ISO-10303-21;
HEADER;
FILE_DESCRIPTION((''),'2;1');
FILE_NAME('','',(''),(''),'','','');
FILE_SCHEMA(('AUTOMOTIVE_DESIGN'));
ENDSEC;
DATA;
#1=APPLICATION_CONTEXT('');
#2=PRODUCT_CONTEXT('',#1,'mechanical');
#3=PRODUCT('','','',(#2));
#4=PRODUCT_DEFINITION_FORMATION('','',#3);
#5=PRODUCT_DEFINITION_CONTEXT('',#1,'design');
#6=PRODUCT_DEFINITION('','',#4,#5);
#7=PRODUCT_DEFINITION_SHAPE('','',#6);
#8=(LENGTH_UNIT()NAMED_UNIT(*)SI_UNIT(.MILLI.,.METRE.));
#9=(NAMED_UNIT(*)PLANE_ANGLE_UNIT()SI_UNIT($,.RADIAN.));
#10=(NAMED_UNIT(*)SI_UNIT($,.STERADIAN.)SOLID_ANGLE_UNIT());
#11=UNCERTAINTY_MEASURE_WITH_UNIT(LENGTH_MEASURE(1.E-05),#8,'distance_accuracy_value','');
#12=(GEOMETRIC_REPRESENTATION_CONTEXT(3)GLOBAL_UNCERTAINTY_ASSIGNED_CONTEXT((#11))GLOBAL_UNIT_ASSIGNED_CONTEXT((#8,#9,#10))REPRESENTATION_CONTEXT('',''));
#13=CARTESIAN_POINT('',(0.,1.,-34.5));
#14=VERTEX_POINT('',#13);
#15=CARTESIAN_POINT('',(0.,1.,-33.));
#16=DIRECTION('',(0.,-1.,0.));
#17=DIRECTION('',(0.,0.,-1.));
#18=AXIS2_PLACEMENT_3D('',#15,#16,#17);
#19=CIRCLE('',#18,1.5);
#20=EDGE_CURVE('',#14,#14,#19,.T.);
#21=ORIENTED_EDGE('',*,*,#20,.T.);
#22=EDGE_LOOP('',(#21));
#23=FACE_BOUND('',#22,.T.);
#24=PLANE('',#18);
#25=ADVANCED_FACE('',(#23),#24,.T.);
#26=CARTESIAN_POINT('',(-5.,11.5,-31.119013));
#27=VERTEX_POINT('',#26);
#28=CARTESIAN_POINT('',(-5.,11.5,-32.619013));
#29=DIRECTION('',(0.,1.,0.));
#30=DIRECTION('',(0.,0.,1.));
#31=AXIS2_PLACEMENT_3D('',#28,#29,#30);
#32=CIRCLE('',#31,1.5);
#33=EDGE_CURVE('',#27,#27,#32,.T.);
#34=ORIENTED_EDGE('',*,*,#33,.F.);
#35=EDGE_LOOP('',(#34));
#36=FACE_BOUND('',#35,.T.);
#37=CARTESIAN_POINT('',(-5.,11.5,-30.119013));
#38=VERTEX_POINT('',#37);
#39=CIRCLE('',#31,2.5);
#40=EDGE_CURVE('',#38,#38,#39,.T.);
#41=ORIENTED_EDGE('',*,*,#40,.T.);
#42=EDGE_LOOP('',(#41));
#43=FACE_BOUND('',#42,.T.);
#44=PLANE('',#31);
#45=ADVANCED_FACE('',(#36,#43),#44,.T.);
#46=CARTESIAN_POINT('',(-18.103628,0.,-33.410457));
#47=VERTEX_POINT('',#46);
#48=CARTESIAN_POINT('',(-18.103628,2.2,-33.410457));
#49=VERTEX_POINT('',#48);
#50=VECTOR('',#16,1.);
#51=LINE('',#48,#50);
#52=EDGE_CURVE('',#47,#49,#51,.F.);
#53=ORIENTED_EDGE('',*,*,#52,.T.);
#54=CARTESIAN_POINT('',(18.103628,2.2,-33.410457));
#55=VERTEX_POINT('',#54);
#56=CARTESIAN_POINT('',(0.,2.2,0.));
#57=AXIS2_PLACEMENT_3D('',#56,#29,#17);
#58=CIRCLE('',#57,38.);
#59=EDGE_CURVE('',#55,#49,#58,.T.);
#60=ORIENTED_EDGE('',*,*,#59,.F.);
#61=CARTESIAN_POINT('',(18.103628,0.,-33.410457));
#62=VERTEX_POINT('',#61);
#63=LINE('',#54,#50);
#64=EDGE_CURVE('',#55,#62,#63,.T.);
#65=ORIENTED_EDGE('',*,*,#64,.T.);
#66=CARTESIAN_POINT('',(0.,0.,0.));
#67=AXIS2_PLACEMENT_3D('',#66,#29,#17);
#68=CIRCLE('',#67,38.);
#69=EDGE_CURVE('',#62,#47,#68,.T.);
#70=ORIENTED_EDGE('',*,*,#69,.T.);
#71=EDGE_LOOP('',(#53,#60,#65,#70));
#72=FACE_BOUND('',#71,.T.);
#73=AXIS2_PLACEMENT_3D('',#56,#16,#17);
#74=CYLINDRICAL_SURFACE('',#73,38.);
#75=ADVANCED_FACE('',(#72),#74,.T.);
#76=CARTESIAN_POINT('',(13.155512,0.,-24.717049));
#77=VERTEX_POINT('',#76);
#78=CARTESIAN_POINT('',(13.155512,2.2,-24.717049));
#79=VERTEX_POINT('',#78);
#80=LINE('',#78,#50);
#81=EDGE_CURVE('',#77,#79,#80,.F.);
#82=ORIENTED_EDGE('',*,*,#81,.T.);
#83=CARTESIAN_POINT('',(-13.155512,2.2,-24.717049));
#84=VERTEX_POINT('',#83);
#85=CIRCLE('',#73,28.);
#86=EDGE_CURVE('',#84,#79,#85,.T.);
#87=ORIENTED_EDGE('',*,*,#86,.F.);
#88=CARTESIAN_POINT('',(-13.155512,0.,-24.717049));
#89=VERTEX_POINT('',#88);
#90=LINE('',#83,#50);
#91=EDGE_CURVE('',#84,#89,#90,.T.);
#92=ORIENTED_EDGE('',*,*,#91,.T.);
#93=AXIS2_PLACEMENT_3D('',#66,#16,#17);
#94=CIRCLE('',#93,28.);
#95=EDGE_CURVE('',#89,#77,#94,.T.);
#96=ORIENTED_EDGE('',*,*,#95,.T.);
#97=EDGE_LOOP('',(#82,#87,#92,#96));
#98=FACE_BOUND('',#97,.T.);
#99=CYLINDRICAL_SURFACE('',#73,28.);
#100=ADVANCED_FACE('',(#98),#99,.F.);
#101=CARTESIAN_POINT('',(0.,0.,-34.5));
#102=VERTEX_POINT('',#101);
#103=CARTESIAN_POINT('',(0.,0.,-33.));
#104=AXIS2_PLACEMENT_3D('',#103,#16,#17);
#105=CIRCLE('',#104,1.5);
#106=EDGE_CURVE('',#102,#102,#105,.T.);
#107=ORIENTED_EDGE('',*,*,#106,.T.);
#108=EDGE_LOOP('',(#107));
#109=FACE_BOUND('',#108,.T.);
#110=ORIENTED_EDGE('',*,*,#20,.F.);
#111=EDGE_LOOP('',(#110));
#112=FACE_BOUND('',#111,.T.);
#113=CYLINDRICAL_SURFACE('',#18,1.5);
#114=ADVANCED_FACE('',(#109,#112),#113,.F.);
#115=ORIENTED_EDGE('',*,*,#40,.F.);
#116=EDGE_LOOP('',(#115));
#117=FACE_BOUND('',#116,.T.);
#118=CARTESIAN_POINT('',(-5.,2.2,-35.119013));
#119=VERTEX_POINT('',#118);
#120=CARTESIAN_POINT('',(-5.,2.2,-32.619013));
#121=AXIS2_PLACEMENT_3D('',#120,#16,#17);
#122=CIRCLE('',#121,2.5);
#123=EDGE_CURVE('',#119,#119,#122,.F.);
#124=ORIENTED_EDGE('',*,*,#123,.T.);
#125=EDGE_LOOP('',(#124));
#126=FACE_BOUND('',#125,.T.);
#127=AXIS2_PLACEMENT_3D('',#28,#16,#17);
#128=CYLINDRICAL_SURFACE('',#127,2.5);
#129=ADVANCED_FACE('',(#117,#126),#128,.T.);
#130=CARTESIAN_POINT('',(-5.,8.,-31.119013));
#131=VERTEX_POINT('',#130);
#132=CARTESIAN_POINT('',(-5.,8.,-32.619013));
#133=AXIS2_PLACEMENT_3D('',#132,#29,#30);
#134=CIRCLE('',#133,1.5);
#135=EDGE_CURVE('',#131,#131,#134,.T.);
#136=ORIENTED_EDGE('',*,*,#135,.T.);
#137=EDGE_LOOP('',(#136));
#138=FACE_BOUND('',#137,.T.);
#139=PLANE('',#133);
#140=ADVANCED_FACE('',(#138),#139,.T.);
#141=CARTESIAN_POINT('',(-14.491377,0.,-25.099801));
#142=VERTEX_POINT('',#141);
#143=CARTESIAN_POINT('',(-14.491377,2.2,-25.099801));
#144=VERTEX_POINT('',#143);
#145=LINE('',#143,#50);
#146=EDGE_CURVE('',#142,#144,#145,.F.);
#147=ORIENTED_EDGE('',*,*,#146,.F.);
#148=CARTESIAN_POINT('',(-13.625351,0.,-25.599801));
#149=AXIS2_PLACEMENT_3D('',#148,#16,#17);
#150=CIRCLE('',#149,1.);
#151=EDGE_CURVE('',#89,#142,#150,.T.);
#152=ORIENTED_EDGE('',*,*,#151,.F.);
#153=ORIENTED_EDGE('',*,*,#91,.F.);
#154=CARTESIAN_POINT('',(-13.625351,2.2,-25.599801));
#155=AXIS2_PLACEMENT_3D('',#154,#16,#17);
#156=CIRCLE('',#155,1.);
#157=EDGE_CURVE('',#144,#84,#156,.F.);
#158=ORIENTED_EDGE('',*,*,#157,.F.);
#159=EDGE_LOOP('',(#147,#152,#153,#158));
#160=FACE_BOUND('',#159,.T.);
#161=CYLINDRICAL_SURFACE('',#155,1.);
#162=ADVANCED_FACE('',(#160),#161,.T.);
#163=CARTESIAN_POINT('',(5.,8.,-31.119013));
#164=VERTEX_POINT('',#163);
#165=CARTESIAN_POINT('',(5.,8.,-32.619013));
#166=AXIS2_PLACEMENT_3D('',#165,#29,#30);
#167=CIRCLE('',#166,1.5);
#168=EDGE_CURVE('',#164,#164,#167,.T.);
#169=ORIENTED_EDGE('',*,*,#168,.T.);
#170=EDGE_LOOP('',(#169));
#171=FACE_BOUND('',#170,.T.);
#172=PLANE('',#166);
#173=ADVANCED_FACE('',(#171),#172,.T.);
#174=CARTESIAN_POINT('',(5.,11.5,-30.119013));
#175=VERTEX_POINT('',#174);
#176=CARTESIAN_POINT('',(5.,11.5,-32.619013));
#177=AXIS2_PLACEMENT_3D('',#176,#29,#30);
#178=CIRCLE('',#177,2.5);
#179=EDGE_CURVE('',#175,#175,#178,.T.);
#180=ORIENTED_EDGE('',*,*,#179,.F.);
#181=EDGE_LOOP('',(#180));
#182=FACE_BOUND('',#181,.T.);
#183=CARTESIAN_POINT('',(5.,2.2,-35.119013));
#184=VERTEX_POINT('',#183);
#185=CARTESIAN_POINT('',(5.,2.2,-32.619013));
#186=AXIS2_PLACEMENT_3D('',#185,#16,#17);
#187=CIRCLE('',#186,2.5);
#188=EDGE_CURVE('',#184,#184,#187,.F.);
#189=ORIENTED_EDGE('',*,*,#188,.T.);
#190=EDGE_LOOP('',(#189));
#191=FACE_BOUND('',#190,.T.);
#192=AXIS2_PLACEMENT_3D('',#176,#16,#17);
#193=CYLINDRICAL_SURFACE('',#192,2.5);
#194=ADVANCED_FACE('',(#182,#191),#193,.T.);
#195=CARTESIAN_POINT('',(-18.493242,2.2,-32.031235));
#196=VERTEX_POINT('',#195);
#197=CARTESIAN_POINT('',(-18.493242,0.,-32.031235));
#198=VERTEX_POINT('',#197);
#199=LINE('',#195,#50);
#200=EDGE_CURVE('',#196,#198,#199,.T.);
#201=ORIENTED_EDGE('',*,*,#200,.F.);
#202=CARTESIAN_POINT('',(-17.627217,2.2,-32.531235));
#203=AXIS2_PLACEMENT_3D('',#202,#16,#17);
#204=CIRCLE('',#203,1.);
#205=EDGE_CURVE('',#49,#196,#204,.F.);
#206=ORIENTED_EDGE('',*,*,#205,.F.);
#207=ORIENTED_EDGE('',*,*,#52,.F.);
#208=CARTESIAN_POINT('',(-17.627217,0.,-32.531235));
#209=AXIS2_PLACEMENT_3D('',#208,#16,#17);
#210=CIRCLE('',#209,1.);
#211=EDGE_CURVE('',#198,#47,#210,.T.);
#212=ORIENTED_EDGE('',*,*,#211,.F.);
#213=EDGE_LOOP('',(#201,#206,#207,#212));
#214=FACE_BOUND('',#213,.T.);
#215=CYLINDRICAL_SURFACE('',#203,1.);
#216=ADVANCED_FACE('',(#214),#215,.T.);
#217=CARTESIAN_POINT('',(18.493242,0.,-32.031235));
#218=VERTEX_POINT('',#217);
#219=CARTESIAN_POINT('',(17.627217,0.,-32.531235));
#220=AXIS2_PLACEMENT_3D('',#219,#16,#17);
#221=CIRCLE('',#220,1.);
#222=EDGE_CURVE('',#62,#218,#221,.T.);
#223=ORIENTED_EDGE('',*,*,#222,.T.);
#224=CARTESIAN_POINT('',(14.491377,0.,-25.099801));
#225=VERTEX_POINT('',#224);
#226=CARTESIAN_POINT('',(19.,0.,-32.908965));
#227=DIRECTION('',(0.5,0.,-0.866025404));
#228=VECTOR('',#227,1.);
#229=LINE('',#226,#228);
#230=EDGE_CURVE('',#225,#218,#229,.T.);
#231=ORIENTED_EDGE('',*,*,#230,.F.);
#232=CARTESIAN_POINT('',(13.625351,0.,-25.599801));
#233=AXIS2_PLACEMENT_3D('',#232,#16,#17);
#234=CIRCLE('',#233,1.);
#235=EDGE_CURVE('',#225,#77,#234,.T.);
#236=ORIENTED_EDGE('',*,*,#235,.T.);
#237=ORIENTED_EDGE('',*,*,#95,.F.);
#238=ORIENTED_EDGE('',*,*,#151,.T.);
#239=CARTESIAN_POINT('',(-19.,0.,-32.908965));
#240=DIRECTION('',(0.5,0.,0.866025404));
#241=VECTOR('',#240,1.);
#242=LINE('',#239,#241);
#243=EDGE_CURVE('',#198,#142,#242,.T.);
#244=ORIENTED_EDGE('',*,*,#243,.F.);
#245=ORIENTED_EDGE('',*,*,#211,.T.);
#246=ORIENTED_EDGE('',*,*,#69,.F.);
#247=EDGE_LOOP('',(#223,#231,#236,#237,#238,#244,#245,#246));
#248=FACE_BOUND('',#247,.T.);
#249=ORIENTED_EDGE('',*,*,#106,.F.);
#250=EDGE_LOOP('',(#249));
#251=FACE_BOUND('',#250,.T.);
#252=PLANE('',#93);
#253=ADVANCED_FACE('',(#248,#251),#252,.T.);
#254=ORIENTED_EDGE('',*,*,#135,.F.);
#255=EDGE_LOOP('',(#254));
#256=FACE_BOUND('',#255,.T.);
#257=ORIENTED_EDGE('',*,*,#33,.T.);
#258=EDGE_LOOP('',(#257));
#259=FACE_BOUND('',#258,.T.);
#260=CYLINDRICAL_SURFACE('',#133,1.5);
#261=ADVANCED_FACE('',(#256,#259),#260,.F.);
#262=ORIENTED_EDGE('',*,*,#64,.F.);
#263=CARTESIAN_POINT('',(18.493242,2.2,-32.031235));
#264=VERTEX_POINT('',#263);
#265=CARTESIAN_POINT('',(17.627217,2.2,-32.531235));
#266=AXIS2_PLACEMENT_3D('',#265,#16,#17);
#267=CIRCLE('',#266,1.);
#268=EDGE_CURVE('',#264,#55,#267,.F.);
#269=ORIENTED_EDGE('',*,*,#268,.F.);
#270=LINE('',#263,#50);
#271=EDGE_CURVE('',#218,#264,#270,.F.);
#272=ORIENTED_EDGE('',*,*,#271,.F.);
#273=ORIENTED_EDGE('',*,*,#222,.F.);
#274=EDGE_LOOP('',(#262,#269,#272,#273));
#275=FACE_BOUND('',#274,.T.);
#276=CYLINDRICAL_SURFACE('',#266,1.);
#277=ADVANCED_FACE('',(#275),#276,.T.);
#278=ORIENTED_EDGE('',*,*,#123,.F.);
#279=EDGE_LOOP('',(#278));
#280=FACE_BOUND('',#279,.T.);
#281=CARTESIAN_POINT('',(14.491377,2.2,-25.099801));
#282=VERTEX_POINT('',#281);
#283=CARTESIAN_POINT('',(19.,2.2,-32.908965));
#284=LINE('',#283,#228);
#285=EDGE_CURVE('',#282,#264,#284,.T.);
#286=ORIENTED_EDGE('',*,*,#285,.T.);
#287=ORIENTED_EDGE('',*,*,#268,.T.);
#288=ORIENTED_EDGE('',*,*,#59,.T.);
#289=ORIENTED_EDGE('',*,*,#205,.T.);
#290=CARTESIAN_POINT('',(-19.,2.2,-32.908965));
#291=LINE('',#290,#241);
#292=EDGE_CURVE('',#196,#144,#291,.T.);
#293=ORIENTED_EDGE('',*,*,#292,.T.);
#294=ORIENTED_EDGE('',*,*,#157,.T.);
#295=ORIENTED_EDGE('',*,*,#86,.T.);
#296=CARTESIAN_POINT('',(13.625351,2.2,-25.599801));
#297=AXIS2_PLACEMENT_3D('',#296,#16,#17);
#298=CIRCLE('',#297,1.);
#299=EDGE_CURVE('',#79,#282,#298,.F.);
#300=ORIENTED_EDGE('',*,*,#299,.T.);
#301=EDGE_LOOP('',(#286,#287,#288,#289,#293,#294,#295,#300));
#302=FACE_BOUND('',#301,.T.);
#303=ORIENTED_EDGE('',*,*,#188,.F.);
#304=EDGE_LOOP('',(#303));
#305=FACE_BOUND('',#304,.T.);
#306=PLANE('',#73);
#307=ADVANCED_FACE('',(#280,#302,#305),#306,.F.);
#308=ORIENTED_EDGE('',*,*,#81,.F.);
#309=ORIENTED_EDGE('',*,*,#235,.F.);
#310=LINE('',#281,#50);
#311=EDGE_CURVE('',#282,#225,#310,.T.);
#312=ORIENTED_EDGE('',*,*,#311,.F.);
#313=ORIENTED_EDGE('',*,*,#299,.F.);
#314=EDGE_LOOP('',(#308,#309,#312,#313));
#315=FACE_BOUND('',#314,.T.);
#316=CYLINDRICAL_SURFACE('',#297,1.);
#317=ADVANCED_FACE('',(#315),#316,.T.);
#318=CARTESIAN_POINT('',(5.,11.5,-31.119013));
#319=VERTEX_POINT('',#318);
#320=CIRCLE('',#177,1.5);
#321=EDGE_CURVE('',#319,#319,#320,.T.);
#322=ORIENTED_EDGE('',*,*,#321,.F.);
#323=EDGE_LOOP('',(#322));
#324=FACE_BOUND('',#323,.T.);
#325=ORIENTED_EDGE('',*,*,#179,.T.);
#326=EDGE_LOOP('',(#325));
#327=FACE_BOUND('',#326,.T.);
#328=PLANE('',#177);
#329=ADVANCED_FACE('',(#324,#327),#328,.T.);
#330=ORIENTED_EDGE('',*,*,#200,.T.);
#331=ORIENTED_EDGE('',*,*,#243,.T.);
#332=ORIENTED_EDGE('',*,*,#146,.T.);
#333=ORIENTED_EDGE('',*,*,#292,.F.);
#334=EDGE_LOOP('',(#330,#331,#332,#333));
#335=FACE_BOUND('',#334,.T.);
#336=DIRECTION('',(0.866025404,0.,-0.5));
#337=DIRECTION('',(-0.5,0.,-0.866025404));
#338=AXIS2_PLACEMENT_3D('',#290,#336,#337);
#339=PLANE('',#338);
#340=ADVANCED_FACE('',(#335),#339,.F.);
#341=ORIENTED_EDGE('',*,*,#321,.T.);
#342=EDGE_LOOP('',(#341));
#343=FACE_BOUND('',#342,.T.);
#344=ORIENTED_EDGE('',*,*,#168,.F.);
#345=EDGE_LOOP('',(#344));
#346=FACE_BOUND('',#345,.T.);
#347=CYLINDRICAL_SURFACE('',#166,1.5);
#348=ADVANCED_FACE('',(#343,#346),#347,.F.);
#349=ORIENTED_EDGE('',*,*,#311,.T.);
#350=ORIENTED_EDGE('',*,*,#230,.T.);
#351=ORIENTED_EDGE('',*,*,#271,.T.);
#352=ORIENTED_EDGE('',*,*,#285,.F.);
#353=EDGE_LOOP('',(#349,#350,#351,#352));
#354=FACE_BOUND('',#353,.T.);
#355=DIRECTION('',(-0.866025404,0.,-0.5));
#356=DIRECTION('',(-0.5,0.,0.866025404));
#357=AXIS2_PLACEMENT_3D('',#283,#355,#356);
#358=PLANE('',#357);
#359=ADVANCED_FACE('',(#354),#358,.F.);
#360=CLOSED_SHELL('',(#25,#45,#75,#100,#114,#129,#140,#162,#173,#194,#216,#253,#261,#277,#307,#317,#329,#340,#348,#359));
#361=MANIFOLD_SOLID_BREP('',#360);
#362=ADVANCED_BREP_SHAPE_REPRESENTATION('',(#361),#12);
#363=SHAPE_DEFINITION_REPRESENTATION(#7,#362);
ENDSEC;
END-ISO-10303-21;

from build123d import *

# Parameters (mm, degrees)
BOSS_EXTRUDE1_DEPTH = 2.2
SKETCH2_R           = 2.5
BOSS_EXTRUDE2_DEPTH = 9.3
SKETCH5_R           = 1.5
CUT_EXTRUDE1_DEPTH  = 3.5
SKETCH6_R           = 1.5
CUT_EXTRUDE2_DEPTH  = 1
FILLET1_R           = 1


with BuildPart() as part:
    # Sketch1 → Boss-Extrude1 (new body)
    with BuildSketch(Plane(origin=(0, 0, 0), x_dir=(1, 0, 0), z_dir=(0, 1, 0))):
        with BuildLine():
            Line((-19, 32.908965344), (-14, 24.248711306))
            ThreePointArc((-14, 24.248711306), (0, 28), (14, 24.248711306))
            Line((14, 24.248711306), (19, 32.908965344))
            ThreePointArc((19, 32.908965344), (0, 38), (-19, 32.908965344))
        make_face()
    extrude(amount=BOSS_EXTRUDE1_DEPTH)

    # Sketch2 → Boss-Extrude2 (add)
    with BuildSketch(Plane(origin=(0, 2.2, 0), x_dir=(1, 0, 0), z_dir=(0, 1, 0))):
        with Locations(Location((-5, 32.619012861, 0), (0, 0, 90))):
            Circle(SKETCH2_R)
        with Locations(Location((5, 32.619012861, 0), (0, 0, 90))):
            Circle(SKETCH2_R)
    extrude(amount=BOSS_EXTRUDE2_DEPTH)

    # Sketch5 → Cut-Extrude1 (cut)
    with BuildSketch(Plane(origin=(0, 11.5, 0), x_dir=(1, 0, 0), z_dir=(0, 1, 0))):
        with Locations(Location((-5, 32.619012861, 0), (0, 0, 270))):
            Circle(SKETCH5_R)
        with Locations(Location((5, 32.619012861, 0), (0, 0, 270))):
            Circle(SKETCH5_R)
    extrude(amount=-CUT_EXTRUDE1_DEPTH, mode=Mode.SUBTRACT)

    # Sketch6 → Cut-Extrude2 (cut)
    with BuildSketch(Plane.XZ):
        with Locations(Location((0, -33, 0), (0, 0, 270))):
            Circle(SKETCH6_R)
    extrude(amount=-CUT_EXTRUDE2_DEPTH, mode=Mode.SUBTRACT)

    # Fillet1
    fillet1_edges = [part.edges().sort_by_distance(p)[0] for p in [
        (19, 1.1, -32.908965344),
        (14, 1.1, -24.248711306),
        (-14, 1.1, -24.248711306),
        (-19, 1.1, -32.908965344),
    ]]
    fillet(fillet1_edges, radius=FILLET1_R)


solid = part.part
